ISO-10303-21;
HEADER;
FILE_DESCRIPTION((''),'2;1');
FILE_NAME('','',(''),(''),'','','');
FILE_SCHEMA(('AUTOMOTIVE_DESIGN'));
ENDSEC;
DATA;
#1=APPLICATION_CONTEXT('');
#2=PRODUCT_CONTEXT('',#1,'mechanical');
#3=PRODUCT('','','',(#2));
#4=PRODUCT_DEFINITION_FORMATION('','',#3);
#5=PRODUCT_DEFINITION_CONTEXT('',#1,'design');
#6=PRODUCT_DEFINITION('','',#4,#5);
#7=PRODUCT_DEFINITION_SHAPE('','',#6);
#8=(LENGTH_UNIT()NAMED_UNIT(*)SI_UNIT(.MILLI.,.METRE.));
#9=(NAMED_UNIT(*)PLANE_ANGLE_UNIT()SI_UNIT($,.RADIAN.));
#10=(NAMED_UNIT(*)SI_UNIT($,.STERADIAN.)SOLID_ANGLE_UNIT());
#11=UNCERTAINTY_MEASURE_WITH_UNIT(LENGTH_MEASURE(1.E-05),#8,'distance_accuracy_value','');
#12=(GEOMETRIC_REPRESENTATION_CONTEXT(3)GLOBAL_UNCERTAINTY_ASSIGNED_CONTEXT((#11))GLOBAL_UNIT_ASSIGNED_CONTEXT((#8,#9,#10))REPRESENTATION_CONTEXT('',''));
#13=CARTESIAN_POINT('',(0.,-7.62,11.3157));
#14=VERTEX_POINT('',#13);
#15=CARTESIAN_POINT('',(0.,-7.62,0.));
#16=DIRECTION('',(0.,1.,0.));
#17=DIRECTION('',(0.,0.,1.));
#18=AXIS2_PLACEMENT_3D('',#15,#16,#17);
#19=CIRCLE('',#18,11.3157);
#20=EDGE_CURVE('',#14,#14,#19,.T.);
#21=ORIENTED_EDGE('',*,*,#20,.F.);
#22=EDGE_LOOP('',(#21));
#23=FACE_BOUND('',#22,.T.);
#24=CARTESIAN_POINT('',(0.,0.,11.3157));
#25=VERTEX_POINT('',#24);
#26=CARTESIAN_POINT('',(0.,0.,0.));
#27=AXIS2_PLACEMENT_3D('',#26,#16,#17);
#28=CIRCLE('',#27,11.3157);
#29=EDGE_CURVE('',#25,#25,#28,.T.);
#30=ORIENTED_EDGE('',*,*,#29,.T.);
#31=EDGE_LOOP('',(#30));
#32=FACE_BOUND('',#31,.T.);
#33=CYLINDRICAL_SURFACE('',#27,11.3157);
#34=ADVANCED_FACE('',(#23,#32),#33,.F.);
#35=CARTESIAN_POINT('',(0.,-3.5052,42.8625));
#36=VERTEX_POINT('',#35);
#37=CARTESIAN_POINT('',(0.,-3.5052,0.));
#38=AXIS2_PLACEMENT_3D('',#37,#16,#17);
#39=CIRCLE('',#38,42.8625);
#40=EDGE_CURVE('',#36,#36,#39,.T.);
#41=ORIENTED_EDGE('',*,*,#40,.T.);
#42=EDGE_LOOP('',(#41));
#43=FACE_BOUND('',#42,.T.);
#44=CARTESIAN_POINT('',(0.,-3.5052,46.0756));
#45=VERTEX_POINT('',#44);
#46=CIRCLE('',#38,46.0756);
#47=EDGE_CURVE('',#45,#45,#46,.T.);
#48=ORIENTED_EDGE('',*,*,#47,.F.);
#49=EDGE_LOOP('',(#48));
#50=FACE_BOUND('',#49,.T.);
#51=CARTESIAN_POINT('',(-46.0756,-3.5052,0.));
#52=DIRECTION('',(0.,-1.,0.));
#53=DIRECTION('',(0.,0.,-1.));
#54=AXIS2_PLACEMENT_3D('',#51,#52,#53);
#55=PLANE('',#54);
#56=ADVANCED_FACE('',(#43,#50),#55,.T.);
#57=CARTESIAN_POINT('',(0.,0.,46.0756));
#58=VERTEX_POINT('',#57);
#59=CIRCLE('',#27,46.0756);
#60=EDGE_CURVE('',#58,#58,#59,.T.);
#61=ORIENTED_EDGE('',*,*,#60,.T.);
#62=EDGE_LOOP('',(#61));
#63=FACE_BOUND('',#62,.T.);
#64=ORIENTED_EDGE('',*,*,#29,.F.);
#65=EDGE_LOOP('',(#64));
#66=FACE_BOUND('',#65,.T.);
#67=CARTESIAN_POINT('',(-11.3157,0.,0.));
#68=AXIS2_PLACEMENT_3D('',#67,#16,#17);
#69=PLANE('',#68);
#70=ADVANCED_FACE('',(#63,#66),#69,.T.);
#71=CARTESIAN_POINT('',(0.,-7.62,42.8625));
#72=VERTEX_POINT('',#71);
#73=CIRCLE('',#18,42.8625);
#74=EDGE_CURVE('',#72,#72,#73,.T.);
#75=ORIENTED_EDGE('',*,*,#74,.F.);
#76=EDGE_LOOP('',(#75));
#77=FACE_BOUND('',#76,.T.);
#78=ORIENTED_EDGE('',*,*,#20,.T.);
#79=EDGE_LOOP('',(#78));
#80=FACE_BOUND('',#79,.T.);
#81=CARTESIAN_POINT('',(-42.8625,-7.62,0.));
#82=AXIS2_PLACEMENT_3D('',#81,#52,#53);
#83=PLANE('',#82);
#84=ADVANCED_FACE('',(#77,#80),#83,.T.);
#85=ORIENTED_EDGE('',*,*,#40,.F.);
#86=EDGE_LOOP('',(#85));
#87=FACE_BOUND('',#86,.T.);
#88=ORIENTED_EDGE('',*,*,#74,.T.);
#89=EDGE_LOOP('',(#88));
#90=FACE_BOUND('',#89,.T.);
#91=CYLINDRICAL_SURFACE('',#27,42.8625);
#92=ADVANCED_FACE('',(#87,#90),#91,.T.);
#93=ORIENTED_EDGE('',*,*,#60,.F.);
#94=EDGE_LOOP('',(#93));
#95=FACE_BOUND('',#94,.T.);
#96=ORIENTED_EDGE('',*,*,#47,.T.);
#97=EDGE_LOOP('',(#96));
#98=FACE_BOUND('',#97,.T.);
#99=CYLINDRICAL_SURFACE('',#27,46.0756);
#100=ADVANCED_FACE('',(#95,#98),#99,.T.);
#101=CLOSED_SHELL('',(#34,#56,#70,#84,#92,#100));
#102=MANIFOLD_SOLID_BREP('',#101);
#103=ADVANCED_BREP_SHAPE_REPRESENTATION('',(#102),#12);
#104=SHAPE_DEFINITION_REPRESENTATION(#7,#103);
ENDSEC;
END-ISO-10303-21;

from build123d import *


with BuildPart() as part:
    # Sketch1 → Revolve1 (revolve)
    with BuildSketch(Plane.XY):
        Polygon((-11.3157, 0), (-46.0756, 0), (-46.0756, -3.5052), (-42.8625, -3.5052), (-42.8625, -7.62), (-11.3157, -7.62), align=None)
    revolve(axis=Axis((0, 0, 0), (0, -1, 0)))


solid = part.part
